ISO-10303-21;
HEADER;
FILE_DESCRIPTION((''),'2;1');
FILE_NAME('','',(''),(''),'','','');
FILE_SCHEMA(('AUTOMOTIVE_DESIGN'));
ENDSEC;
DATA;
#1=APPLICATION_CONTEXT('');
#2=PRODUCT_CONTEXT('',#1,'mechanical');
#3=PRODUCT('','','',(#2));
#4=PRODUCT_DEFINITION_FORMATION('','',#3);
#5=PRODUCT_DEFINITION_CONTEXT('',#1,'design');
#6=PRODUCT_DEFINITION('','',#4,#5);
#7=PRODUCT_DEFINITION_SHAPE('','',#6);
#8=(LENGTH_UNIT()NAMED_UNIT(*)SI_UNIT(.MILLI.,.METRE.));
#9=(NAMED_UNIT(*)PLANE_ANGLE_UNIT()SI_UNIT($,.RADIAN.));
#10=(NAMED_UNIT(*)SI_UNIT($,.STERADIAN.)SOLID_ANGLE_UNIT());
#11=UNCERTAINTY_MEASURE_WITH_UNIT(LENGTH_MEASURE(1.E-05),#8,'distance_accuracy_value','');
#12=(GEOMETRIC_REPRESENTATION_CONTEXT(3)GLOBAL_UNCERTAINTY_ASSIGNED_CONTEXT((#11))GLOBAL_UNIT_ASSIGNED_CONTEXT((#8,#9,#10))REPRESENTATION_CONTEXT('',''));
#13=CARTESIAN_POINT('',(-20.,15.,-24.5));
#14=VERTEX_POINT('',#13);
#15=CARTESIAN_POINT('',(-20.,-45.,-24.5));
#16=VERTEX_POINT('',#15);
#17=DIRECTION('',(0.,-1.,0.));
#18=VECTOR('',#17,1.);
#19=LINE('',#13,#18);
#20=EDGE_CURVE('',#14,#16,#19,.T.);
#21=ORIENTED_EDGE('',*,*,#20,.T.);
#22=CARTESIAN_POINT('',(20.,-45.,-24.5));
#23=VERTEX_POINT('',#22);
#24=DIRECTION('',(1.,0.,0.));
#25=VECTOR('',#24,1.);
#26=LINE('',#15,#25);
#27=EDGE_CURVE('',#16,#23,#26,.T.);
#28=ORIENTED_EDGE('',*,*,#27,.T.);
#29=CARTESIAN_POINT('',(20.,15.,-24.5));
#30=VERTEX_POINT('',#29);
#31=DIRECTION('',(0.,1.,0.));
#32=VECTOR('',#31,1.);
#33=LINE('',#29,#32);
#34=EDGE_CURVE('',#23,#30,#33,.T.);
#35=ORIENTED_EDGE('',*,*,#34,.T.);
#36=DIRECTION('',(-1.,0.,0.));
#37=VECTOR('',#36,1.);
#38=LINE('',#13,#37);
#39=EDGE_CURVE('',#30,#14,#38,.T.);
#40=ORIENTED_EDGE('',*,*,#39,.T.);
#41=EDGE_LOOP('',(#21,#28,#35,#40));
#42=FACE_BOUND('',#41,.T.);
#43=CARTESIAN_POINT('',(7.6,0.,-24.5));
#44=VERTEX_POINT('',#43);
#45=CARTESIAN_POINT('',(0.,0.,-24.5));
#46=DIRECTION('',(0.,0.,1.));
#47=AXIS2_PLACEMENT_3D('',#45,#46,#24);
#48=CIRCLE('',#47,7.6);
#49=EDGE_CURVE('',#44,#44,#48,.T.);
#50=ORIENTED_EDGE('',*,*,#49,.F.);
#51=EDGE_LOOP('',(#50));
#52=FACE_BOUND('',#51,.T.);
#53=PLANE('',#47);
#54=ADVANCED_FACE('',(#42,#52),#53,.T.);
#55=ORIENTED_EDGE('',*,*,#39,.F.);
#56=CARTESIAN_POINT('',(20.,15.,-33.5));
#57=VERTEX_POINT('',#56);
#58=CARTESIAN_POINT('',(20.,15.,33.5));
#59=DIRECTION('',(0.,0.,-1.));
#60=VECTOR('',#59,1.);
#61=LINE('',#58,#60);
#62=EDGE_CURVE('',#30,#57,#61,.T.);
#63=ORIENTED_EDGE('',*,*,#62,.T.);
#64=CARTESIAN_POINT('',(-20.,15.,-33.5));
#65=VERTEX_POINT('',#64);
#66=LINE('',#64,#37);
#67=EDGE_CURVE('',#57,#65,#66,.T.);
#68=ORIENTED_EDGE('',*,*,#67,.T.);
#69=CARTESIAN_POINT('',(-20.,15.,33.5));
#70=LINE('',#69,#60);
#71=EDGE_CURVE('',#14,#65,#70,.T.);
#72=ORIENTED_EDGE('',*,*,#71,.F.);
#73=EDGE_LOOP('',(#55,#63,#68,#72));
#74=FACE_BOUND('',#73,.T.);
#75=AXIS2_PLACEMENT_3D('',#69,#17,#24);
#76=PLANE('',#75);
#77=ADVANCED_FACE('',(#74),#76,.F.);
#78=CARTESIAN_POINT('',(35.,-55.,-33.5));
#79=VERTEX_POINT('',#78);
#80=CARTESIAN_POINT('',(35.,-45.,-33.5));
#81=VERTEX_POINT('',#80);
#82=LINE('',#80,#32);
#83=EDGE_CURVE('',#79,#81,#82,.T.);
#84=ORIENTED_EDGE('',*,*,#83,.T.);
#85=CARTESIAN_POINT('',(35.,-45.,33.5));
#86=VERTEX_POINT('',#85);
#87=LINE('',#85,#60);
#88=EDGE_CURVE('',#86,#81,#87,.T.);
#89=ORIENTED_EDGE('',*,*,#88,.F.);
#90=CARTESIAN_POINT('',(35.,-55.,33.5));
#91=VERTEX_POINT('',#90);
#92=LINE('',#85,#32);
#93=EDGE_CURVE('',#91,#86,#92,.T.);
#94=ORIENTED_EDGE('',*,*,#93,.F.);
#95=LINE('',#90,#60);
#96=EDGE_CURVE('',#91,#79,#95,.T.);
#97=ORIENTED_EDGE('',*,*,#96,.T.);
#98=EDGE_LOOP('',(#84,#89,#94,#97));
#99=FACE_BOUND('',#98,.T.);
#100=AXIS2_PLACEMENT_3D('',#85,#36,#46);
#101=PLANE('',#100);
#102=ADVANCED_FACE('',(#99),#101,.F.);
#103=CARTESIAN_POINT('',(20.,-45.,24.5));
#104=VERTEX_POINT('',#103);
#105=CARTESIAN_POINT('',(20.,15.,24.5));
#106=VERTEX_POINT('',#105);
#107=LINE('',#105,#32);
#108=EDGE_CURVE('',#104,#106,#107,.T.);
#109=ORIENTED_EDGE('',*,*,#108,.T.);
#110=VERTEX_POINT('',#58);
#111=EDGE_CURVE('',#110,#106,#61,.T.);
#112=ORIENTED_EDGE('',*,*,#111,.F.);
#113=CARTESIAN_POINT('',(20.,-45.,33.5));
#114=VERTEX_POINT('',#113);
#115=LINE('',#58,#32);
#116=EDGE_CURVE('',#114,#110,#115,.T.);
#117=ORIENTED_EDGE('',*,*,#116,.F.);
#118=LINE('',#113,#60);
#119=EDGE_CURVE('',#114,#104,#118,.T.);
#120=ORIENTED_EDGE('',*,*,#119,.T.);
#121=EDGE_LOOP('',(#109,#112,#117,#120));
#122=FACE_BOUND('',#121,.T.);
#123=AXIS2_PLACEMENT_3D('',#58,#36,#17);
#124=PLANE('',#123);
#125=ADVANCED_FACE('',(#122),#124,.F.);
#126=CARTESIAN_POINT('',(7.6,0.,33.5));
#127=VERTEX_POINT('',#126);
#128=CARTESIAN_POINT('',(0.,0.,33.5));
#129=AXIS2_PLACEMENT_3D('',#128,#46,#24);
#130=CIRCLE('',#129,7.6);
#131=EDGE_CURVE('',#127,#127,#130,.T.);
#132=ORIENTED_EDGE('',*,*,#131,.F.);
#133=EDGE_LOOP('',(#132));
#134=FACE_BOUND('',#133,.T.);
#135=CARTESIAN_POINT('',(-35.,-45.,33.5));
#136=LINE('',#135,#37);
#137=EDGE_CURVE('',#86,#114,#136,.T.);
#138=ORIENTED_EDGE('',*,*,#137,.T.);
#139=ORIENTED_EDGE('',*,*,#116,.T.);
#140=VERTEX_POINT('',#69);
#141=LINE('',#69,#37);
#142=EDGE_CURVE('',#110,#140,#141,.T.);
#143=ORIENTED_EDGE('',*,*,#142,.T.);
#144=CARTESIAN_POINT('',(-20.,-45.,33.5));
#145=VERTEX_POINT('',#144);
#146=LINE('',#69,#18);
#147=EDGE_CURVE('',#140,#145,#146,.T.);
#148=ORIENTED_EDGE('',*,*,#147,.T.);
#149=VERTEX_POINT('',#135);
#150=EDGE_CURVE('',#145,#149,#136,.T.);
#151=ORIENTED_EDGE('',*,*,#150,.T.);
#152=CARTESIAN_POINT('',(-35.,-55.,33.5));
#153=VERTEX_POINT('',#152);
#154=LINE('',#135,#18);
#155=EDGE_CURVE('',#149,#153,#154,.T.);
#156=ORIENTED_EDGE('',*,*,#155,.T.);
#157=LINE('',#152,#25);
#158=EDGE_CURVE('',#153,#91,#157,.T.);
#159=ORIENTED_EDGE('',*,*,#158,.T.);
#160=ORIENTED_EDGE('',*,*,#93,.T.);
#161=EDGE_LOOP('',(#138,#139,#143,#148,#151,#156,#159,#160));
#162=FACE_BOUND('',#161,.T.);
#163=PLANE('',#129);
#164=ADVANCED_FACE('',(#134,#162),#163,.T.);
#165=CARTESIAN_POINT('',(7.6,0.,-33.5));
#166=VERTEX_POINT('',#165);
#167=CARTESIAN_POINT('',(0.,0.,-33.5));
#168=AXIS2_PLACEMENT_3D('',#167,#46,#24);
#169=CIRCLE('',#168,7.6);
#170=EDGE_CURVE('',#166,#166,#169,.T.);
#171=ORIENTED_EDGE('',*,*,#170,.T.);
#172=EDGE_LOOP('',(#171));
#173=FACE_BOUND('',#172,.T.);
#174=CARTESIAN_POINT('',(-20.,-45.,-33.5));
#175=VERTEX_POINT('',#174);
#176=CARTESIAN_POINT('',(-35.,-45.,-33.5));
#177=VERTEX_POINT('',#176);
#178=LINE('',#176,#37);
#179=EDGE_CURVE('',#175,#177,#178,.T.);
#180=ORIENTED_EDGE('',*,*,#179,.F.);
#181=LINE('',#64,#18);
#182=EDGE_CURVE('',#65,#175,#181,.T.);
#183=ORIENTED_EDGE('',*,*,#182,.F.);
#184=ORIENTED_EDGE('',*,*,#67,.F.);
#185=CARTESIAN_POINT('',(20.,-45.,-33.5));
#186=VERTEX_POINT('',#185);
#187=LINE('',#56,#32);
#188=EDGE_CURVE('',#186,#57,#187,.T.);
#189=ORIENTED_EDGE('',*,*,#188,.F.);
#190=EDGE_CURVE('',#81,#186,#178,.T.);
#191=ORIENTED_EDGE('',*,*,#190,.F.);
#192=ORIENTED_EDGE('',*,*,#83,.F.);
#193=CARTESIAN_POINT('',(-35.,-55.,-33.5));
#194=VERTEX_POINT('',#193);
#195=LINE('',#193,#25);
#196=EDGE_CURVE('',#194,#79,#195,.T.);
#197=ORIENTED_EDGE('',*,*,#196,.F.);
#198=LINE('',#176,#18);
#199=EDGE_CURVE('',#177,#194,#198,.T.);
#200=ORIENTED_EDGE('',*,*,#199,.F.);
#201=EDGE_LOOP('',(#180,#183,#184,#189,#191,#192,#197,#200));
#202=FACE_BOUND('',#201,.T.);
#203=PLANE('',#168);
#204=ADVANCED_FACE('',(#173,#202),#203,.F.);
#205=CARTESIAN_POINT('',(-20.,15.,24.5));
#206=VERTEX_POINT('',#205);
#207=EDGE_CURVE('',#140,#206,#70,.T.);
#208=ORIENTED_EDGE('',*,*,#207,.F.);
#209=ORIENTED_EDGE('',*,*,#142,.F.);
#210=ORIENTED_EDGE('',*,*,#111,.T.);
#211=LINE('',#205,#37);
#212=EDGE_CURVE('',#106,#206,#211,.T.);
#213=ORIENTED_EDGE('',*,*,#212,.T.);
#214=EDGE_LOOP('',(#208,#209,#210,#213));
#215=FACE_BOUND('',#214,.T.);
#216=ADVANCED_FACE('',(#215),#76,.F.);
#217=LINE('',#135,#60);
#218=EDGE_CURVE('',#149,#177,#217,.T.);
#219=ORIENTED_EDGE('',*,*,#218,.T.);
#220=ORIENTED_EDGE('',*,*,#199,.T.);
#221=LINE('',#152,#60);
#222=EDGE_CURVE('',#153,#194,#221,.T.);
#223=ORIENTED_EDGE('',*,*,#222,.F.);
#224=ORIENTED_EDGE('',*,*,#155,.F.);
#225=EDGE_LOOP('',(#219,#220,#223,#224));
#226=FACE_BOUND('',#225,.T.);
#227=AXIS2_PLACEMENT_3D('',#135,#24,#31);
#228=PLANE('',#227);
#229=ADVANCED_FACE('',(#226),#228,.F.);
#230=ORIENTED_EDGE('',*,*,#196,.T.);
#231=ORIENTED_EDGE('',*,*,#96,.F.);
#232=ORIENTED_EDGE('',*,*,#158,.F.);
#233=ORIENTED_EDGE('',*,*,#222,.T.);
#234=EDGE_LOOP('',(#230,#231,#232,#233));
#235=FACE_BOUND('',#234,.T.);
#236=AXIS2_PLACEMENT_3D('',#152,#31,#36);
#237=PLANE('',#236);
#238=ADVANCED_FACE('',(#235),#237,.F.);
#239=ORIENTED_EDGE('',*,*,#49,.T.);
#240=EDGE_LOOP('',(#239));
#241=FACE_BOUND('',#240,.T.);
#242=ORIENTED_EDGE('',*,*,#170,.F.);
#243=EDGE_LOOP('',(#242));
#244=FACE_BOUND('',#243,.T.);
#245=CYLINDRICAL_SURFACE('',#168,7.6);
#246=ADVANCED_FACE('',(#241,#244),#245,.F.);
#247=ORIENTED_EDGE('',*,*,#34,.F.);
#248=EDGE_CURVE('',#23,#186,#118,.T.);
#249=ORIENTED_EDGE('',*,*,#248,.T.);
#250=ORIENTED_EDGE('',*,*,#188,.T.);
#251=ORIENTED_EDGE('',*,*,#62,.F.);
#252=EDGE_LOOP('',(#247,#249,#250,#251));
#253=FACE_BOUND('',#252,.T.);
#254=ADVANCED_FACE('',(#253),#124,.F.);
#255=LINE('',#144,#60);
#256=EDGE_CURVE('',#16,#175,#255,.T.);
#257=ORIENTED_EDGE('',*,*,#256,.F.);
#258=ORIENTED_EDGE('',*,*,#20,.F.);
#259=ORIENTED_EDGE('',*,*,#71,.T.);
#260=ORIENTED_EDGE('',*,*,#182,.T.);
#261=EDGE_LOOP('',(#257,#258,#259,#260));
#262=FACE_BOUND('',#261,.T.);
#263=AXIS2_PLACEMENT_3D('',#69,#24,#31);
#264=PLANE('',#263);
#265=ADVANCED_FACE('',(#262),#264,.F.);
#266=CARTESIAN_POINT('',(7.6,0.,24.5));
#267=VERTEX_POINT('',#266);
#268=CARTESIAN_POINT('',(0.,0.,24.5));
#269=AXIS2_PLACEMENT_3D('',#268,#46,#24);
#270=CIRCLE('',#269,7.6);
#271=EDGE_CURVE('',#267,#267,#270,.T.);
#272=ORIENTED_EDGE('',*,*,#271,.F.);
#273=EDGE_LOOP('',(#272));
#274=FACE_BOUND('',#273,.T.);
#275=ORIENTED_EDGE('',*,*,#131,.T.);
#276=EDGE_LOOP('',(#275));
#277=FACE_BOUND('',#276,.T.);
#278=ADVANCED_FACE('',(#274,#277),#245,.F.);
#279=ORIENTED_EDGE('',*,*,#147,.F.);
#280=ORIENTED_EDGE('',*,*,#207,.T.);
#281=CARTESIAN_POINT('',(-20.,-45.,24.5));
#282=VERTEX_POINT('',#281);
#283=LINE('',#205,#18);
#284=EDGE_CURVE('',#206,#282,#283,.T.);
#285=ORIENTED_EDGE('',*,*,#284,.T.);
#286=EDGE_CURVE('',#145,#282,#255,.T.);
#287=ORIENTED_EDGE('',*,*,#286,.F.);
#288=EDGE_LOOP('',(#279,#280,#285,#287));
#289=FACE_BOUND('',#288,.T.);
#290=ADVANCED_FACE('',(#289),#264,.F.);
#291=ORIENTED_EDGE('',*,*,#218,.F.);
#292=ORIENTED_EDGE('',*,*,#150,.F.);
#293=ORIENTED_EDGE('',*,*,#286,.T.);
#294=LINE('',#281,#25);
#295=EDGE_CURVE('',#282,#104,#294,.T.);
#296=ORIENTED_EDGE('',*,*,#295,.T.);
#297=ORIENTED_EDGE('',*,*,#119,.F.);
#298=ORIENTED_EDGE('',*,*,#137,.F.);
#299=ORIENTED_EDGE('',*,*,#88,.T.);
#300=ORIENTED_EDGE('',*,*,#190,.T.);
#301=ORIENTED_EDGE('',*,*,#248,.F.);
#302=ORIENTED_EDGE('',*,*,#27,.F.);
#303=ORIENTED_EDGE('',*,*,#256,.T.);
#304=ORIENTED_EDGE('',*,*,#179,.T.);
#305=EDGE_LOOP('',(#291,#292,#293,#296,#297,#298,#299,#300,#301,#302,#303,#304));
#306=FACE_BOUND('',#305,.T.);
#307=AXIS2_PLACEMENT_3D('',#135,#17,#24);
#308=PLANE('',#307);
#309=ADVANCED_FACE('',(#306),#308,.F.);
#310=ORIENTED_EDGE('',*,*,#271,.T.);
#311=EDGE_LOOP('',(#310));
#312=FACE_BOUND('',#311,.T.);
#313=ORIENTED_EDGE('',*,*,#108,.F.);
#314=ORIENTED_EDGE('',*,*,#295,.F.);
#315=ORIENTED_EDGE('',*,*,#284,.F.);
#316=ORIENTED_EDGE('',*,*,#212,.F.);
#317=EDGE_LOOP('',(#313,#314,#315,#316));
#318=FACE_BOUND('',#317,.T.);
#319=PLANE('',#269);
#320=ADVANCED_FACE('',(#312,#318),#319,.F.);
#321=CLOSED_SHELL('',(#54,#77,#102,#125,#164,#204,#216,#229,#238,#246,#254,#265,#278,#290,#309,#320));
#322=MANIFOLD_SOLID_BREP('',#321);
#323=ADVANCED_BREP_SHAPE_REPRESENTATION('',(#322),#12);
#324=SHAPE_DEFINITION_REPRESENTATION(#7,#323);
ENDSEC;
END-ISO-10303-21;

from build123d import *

# Parameters (mm, degrees)
SKETCH2_W               = 70
SKETCH2_H               = 10
BOSS_EXTRUDE1_DEPTH     = 33.5
SKETCH3_W               = 40
SKETCH3_H               = 60
BOSS_EXTRUDE2_DEPTH     = 33.5
SKETCH4_W               = 40
SKETCH4_H               = 60
CUT_EXTRUDE1_DEPTH      = 24.5
CUT_EXTRUDE2_DEPTH      = 74.295634249
CUT_EXTRUDE2_DEPTH_BACK = 74.295634249
SKETCH5_R               = 7.6


with BuildPart() as part:
    # Sketch2 → Boss-Extrude1 (new, symmetric)
    with BuildSketch(Plane.XY):
        with Locations((0, -50)):
            Rectangle(SKETCH2_W, SKETCH2_H)
    extrude(amount=BOSS_EXTRUDE1_DEPTH, both=True)

    # Sketch3 → Boss-Extrude2 (add, symmetric)
    with BuildSketch(Plane.XY):
        with Locations((0, -15)):
            Rectangle(SKETCH3_W, SKETCH3_H)
    extrude(amount=BOSS_EXTRUDE2_DEPTH, both=True)

    # Sketch4 → Cut-Extrude1 (cut, symmetric)
    with BuildSketch(Plane.XY):
        with Locations((0, -15)):
            Rectangle(SKETCH4_W, SKETCH4_H)
    extrude(amount=CUT_EXTRUDE1_DEPTH, both=True, mode=Mode.SUBTRACT)

    # Sketch5 → Cut-Extrude2 (cut, two sides: drawn at the far end of the back side and taken through both)
    with BuildSketch(Plane.XY.offset(-CUT_EXTRUDE2_DEPTH_BACK)):
        Circle(SKETCH5_R)
    extrude(amount=CUT_EXTRUDE2_DEPTH + CUT_EXTRUDE2_DEPTH_BACK, mode=Mode.SUBTRACT)


solid = part.part
